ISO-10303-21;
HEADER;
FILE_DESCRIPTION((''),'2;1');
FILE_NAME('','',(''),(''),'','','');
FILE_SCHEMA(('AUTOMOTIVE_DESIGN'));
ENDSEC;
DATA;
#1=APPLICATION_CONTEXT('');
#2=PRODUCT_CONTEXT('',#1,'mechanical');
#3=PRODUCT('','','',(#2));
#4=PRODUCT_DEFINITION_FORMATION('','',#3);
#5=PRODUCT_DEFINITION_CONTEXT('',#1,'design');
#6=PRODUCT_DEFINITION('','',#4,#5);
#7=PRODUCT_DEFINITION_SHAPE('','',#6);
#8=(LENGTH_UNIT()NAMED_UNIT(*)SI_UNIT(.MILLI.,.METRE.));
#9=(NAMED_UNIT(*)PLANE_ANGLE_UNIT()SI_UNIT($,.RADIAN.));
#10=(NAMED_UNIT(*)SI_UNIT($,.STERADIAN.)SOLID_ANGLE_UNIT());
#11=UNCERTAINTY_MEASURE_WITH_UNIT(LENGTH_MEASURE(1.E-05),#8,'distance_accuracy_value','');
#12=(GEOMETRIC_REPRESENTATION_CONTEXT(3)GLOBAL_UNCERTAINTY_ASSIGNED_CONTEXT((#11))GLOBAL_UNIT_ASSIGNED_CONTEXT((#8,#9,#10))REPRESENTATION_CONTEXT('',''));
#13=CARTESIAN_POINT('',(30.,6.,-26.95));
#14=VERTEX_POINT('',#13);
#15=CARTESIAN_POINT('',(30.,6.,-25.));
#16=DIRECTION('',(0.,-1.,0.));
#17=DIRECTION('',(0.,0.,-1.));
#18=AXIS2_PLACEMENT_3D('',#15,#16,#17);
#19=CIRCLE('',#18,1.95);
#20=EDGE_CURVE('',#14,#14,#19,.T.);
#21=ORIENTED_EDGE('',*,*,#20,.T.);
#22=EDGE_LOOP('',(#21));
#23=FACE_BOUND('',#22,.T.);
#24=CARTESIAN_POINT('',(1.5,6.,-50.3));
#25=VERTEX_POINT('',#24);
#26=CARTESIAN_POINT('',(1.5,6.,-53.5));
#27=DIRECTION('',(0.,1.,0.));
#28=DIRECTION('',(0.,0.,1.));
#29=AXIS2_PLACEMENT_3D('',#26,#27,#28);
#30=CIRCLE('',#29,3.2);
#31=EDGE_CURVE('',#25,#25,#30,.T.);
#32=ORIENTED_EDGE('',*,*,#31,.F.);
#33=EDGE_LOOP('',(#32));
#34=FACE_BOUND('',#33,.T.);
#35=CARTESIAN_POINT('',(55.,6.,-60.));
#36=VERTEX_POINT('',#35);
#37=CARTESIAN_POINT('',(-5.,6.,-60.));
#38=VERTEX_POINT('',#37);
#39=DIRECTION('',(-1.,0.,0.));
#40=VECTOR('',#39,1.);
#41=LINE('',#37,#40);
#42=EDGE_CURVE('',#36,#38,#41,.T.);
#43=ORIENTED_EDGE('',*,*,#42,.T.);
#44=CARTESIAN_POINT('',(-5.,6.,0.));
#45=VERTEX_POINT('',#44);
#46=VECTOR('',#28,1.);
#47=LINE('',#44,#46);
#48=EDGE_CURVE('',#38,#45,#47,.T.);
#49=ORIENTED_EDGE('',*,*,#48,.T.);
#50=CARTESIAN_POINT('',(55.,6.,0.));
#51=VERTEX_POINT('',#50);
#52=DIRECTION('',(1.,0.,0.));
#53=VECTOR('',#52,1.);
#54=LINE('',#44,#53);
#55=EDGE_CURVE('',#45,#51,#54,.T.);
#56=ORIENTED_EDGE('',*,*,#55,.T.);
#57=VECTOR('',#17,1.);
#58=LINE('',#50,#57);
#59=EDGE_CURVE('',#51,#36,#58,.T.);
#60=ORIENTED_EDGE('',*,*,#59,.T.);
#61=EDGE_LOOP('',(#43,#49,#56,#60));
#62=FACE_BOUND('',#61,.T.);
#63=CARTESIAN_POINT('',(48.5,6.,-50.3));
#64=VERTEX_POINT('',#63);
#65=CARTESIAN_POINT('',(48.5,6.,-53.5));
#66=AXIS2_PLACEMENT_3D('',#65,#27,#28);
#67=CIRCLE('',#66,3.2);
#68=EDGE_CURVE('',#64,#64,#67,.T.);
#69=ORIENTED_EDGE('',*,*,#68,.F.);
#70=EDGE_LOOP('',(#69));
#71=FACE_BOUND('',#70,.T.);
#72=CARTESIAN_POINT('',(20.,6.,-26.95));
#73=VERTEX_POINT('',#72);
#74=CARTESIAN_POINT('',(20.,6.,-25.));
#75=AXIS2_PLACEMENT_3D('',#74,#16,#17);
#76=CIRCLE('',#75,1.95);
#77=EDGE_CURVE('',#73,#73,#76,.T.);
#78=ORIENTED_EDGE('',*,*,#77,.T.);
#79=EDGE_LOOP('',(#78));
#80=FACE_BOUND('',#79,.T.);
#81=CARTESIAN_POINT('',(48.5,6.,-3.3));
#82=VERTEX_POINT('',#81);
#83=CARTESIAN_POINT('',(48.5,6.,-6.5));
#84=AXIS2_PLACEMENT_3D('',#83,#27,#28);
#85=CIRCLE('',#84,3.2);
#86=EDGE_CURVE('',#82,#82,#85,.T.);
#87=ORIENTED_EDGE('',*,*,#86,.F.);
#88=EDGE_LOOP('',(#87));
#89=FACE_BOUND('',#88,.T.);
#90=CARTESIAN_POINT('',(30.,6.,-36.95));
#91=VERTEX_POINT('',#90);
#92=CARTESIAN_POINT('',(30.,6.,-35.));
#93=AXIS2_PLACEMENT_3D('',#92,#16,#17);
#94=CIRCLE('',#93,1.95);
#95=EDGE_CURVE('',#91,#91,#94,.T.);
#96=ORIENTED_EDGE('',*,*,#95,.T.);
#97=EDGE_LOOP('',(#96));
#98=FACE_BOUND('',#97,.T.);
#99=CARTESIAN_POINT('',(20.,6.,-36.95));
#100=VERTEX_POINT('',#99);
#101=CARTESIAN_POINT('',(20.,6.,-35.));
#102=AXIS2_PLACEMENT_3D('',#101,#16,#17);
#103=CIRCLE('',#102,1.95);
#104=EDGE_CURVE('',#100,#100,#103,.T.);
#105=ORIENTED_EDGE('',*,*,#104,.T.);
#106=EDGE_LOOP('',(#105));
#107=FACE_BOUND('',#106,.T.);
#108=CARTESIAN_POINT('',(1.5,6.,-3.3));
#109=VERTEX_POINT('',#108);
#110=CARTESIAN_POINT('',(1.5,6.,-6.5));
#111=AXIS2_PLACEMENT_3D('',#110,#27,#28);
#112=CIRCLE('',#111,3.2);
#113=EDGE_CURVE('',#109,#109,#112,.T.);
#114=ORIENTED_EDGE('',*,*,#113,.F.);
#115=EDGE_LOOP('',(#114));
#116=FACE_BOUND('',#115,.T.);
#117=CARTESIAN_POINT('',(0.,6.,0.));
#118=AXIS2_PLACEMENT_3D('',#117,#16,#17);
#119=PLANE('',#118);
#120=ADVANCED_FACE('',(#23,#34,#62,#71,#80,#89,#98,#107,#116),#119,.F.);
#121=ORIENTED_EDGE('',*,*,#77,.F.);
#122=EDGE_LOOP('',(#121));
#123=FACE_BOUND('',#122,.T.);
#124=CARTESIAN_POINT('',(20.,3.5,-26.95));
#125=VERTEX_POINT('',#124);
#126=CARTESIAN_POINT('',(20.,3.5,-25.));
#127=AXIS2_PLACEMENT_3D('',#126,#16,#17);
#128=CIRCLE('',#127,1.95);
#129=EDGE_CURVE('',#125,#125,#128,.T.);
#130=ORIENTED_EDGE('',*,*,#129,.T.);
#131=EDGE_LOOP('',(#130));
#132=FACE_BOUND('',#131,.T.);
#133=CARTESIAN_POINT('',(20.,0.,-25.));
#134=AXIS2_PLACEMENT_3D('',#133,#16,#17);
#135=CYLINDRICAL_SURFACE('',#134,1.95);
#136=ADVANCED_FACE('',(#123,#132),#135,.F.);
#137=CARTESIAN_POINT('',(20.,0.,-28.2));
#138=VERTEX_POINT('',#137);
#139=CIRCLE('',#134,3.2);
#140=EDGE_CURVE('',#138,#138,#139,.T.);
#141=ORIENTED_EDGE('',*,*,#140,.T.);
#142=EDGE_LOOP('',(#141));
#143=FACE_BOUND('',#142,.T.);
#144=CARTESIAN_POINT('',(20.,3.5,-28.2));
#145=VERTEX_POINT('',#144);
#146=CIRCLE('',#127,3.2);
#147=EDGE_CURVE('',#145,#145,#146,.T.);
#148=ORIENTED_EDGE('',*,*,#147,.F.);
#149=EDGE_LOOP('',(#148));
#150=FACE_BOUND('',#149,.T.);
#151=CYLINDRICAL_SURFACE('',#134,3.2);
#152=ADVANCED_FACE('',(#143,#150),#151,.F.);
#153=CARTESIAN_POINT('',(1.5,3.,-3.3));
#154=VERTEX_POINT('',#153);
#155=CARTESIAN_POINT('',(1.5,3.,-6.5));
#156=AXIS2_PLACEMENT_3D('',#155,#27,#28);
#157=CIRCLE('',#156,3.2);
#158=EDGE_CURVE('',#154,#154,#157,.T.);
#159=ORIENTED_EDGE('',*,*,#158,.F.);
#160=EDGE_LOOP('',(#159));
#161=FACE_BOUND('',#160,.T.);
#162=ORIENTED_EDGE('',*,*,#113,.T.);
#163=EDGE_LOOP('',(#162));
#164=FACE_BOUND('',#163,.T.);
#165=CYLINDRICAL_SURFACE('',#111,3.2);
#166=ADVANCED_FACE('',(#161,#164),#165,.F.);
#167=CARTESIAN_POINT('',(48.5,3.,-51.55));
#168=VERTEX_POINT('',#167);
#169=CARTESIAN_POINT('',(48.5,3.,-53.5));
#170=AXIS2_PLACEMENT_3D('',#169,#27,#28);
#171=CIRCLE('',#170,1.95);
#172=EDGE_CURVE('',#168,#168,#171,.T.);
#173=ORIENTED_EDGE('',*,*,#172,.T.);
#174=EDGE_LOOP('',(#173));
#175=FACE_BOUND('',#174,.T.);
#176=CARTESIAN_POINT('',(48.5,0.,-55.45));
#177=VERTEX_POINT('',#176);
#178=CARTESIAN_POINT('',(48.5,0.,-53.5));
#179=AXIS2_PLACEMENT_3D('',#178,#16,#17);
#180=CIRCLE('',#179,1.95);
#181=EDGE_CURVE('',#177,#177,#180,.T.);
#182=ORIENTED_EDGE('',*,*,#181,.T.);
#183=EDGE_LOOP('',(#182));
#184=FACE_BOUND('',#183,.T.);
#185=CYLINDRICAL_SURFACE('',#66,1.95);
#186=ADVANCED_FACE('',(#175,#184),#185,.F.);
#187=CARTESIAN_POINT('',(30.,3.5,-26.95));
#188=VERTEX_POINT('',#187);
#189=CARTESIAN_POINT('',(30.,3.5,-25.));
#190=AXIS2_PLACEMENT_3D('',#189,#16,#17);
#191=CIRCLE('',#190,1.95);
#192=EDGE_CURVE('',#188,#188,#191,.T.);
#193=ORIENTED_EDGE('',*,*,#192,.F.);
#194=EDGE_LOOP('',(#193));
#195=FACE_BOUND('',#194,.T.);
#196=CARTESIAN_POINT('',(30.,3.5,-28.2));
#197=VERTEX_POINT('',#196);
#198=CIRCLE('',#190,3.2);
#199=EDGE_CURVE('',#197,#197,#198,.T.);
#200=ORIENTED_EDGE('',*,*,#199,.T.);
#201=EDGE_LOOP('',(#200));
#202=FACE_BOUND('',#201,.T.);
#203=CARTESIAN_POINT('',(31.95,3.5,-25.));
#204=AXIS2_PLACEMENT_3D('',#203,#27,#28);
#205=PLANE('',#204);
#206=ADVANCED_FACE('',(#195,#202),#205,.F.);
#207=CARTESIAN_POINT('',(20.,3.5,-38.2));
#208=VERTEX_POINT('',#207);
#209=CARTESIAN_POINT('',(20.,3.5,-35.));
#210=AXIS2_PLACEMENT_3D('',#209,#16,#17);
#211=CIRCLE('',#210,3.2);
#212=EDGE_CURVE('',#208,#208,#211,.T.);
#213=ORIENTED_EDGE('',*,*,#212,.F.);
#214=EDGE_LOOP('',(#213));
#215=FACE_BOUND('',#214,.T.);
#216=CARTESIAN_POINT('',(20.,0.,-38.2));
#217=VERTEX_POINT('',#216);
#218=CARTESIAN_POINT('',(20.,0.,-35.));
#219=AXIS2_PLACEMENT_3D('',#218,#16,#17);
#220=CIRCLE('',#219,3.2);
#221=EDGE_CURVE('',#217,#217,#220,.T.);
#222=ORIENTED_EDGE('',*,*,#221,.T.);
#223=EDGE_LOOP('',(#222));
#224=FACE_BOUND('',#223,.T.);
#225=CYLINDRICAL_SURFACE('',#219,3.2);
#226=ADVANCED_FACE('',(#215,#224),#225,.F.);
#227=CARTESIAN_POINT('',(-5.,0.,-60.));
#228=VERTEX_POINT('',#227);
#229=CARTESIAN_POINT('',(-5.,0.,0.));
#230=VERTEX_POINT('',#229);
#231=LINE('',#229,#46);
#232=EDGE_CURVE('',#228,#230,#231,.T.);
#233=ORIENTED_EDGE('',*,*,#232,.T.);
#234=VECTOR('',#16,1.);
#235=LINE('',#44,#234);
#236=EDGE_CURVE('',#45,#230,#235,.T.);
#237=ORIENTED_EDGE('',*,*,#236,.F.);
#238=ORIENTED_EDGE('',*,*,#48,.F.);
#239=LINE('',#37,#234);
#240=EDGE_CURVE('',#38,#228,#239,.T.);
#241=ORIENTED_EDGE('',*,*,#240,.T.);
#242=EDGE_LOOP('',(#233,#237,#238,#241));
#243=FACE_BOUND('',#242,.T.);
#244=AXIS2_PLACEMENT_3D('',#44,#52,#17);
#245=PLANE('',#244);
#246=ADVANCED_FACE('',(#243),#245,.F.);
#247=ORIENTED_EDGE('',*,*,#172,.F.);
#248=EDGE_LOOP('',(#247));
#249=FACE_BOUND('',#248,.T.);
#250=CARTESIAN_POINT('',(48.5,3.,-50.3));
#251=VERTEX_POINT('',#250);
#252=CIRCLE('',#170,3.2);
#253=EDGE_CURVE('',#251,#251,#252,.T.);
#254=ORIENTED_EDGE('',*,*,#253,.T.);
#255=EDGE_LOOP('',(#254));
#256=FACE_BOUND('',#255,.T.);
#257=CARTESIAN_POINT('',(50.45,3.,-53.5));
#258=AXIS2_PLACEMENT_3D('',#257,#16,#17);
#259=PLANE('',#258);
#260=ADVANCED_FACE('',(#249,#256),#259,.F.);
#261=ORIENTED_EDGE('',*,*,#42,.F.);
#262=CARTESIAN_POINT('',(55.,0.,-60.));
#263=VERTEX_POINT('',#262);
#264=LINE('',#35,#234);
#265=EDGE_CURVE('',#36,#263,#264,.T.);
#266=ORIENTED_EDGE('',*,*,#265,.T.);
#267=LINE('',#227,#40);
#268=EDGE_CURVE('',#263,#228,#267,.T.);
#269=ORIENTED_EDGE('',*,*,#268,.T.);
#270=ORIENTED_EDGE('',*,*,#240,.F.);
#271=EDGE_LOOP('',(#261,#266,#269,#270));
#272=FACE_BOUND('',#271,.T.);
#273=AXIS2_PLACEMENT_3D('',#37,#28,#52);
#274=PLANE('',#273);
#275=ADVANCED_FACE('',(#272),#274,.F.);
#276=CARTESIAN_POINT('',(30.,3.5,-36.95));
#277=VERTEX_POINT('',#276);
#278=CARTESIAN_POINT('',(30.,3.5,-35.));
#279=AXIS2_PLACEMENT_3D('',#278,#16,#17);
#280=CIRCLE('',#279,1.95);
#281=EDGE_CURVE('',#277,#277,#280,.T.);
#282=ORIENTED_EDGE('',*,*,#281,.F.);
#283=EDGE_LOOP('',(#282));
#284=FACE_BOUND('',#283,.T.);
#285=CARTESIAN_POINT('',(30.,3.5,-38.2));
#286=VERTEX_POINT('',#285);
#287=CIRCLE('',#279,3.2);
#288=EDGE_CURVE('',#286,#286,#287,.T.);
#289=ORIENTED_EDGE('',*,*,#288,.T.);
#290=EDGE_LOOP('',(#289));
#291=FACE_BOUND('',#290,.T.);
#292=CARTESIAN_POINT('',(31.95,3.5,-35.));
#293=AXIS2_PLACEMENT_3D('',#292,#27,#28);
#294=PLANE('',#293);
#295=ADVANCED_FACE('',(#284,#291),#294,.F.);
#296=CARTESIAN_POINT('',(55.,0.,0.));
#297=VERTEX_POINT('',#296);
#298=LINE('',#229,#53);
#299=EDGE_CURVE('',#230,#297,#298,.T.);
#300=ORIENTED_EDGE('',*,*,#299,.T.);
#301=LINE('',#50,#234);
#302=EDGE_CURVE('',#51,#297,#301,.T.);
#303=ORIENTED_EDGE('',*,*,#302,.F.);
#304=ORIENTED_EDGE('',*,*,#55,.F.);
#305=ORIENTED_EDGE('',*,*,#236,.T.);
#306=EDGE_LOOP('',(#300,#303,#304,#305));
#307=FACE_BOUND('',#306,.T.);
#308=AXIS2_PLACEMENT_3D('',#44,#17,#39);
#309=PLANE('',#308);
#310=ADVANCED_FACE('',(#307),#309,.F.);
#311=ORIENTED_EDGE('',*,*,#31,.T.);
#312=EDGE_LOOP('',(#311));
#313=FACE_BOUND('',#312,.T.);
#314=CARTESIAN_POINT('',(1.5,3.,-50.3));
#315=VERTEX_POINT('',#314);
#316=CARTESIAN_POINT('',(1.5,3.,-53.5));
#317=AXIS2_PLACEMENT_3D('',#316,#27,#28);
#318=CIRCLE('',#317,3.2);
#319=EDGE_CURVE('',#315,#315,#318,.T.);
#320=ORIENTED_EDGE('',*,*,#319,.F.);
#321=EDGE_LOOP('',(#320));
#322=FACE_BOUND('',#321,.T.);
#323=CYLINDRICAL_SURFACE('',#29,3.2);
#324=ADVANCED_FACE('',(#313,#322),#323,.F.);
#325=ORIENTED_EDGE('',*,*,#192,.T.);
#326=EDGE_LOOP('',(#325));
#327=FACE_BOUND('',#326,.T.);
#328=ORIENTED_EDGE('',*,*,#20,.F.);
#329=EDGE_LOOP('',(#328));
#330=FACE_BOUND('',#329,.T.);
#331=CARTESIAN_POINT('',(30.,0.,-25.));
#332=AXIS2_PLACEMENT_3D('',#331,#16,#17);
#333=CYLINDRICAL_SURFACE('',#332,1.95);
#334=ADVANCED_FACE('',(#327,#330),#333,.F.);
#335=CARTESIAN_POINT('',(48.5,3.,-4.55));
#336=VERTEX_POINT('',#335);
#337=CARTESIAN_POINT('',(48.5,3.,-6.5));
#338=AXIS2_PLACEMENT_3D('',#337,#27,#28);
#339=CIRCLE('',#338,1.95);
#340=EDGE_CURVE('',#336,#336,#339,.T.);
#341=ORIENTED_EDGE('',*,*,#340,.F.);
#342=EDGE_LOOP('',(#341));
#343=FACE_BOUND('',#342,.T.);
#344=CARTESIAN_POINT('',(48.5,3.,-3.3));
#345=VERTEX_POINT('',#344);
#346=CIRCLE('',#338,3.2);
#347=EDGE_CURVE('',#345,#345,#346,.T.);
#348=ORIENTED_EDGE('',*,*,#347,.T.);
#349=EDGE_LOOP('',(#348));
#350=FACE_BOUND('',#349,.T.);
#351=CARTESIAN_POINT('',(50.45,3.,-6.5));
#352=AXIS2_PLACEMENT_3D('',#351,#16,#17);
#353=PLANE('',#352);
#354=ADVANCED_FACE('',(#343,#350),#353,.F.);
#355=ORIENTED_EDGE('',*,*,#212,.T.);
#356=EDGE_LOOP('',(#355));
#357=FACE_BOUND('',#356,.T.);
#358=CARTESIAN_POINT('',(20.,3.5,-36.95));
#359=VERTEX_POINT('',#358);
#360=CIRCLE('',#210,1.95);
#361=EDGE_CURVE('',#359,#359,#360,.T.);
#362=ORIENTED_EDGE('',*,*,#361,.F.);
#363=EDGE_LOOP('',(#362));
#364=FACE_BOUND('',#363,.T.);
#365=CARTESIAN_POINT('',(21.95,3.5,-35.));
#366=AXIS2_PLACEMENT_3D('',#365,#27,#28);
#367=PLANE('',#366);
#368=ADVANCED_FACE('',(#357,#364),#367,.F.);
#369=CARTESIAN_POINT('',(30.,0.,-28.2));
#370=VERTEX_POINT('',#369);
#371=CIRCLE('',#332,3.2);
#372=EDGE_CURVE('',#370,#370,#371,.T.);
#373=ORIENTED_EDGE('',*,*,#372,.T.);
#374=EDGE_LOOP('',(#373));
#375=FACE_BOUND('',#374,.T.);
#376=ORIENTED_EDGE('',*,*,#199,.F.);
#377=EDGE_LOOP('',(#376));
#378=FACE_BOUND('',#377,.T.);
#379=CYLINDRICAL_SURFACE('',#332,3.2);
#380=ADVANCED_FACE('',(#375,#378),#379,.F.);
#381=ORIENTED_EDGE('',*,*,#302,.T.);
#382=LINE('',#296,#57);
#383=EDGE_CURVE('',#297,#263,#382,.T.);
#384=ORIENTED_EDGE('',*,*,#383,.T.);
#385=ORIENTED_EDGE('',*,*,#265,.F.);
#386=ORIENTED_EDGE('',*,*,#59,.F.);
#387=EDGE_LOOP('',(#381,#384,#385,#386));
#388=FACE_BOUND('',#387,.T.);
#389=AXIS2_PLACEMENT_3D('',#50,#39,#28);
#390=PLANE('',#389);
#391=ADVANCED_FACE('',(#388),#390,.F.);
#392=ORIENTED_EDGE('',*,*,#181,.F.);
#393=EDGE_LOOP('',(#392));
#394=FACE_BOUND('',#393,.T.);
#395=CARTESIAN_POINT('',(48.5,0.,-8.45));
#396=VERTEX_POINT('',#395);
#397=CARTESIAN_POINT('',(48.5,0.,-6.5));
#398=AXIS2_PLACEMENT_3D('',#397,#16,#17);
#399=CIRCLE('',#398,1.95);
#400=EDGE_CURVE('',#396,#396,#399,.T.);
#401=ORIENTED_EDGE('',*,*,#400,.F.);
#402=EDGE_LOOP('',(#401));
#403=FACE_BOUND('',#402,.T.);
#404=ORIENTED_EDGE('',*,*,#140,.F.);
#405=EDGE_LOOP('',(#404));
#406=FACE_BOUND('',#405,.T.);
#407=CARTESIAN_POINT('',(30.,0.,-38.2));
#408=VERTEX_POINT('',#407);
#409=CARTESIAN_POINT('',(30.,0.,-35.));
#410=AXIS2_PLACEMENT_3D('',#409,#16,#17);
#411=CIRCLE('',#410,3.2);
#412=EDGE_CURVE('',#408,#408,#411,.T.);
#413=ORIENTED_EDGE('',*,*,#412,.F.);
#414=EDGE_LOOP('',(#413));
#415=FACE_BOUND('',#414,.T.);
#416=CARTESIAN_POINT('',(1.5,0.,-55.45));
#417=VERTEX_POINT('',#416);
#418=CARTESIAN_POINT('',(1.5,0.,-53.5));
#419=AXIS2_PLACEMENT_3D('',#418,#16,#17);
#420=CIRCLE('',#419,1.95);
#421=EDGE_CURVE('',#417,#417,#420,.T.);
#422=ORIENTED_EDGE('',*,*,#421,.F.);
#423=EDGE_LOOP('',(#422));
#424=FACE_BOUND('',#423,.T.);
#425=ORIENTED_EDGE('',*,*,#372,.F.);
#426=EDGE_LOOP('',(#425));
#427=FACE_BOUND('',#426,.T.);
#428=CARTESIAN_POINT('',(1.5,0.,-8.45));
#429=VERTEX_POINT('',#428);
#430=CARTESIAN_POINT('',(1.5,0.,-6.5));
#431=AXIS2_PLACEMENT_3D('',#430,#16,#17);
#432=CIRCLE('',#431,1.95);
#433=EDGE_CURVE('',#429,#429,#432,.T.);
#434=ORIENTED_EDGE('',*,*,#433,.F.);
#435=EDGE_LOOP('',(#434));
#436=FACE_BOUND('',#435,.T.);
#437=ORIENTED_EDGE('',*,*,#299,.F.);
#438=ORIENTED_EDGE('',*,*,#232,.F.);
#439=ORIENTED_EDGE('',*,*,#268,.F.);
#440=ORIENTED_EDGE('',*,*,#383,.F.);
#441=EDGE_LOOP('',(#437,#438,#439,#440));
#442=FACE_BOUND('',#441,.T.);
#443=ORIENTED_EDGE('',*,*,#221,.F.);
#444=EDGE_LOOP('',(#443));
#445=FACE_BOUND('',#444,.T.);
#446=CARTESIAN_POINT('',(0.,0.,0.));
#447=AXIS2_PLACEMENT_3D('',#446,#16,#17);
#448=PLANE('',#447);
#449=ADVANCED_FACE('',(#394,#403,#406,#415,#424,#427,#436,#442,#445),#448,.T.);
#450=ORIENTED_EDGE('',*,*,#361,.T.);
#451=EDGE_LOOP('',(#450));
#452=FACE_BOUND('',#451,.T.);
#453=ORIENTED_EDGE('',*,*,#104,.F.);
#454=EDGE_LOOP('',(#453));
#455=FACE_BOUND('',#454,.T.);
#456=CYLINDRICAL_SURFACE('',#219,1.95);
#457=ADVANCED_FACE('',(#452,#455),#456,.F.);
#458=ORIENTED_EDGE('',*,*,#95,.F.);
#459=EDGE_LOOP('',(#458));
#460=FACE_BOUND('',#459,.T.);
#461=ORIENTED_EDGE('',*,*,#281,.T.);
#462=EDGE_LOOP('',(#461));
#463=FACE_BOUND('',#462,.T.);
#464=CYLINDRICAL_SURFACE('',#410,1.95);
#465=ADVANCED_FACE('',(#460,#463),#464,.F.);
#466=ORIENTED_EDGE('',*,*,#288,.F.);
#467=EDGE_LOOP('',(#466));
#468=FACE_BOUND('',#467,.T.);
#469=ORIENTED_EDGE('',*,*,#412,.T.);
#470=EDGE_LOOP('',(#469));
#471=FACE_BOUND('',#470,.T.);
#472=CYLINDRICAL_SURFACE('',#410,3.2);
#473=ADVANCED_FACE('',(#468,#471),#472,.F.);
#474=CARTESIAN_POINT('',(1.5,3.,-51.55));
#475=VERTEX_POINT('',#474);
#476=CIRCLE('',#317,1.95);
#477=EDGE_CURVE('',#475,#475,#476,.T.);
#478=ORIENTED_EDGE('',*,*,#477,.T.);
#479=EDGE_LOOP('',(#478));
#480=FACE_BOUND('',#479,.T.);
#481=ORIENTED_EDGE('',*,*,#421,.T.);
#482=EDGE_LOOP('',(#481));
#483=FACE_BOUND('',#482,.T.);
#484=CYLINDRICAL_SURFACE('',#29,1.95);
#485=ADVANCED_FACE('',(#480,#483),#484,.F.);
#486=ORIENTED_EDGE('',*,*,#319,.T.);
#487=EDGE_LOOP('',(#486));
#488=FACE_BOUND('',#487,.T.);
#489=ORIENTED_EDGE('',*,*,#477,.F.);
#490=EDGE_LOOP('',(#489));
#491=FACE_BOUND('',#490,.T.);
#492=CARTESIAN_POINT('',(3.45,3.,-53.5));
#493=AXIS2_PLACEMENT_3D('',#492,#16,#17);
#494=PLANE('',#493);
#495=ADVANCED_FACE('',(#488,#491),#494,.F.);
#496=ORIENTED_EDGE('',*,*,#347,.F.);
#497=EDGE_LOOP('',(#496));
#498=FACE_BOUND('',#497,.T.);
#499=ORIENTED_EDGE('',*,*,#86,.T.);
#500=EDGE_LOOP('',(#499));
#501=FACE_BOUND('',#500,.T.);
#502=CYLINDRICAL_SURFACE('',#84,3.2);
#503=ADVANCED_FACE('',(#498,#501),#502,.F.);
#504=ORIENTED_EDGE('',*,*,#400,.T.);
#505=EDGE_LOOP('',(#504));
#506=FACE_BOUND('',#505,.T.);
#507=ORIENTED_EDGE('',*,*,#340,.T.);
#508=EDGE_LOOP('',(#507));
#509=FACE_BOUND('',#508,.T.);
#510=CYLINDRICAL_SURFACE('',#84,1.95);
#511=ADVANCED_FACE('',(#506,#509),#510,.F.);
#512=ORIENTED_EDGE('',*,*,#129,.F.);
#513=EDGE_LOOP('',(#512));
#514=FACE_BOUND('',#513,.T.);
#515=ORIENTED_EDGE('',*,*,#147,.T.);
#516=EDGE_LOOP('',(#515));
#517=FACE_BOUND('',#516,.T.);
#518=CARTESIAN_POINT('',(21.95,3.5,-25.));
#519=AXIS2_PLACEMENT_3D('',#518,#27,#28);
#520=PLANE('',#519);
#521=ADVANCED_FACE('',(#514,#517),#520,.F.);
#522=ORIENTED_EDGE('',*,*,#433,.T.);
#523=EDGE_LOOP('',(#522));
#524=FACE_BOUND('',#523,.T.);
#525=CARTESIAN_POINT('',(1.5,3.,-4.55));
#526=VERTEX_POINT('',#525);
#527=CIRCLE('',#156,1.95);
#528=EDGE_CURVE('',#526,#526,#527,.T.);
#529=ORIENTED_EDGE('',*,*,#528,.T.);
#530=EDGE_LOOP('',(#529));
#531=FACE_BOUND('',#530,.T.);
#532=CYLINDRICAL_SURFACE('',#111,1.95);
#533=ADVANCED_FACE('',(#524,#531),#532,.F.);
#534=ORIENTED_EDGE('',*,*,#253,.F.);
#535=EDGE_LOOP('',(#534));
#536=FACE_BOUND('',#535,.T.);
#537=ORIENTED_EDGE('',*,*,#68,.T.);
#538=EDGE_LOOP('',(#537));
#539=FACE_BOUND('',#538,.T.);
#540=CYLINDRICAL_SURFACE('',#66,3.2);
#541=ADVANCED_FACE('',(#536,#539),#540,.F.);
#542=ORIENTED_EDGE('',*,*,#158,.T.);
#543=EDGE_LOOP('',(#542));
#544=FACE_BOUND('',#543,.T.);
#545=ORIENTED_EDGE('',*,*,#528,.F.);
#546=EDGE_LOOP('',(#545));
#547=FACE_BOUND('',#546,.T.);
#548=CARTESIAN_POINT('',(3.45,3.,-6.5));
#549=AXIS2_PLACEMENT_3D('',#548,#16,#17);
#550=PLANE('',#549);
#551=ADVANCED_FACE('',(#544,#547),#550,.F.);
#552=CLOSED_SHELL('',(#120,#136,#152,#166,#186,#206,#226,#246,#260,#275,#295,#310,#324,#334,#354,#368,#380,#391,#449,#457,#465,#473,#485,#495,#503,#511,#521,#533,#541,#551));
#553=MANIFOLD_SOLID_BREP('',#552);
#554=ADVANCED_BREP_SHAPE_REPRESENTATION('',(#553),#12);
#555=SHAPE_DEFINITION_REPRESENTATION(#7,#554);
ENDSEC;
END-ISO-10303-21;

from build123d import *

# Parameters (mm, degrees)
SKIZZE1_W                       = 60
SKIZZE1_H                       = 60
AUFSATZ_LINEAR_AUSTRAGEN1_DEPTH = 6
BOHRUNG3_D                      = 3.9
BOHRUNG3_CBORE_D                = 6.4
BOHRUNG3_CBORE_DEPTH            = 3.5
BOHRUNG4_D                      = 3.9
BOHRUNG4_DEPTH                  = 100
BOHRUNG4_CBORE_D                = 6.4
BOHRUNG4_CBORE_DEPTH            = 3


with BuildPart() as part:
    # Skizze1 → Aufsatz-Linear austragen1 (new body)
    with BuildSketch(Plane(origin=(0, 0, 0), x_dir=(1, 0, 0), z_dir=(0, 1, 0))):
        with Locations((25, 30)):
            Rectangle(SKIZZE1_W, SKIZZE1_H)
    extrude(amount=AUFSATZ_LINEAR_AUSTRAGEN1_DEPTH)

    # Bohrung3 (through all)
    with Locations(Plane(origin=(20, 0, -25), x_dir=(0, 0, -1), z_dir=(0, -1, 0))):
        with Locations((0, 0), (0, 10), (10, 10), (10, 0)):
            CounterBoreHole(BOHRUNG3_D / 2, BOHRUNG3_CBORE_D / 2, BOHRUNG3_CBORE_DEPTH)

    # Bohrung4
    with Locations(Plane(origin=(1.5, 6, -53.5), x_dir=(0, 0, 1), z_dir=(0, 1, 0))):
        with Locations((0, 0), (0, 47), (47, 47), (47, 0)):
            CounterBoreHole(BOHRUNG4_D / 2, BOHRUNG4_CBORE_D / 2, BOHRUNG4_CBORE_DEPTH, depth=BOHRUNG4_DEPTH)


solid = part.part
